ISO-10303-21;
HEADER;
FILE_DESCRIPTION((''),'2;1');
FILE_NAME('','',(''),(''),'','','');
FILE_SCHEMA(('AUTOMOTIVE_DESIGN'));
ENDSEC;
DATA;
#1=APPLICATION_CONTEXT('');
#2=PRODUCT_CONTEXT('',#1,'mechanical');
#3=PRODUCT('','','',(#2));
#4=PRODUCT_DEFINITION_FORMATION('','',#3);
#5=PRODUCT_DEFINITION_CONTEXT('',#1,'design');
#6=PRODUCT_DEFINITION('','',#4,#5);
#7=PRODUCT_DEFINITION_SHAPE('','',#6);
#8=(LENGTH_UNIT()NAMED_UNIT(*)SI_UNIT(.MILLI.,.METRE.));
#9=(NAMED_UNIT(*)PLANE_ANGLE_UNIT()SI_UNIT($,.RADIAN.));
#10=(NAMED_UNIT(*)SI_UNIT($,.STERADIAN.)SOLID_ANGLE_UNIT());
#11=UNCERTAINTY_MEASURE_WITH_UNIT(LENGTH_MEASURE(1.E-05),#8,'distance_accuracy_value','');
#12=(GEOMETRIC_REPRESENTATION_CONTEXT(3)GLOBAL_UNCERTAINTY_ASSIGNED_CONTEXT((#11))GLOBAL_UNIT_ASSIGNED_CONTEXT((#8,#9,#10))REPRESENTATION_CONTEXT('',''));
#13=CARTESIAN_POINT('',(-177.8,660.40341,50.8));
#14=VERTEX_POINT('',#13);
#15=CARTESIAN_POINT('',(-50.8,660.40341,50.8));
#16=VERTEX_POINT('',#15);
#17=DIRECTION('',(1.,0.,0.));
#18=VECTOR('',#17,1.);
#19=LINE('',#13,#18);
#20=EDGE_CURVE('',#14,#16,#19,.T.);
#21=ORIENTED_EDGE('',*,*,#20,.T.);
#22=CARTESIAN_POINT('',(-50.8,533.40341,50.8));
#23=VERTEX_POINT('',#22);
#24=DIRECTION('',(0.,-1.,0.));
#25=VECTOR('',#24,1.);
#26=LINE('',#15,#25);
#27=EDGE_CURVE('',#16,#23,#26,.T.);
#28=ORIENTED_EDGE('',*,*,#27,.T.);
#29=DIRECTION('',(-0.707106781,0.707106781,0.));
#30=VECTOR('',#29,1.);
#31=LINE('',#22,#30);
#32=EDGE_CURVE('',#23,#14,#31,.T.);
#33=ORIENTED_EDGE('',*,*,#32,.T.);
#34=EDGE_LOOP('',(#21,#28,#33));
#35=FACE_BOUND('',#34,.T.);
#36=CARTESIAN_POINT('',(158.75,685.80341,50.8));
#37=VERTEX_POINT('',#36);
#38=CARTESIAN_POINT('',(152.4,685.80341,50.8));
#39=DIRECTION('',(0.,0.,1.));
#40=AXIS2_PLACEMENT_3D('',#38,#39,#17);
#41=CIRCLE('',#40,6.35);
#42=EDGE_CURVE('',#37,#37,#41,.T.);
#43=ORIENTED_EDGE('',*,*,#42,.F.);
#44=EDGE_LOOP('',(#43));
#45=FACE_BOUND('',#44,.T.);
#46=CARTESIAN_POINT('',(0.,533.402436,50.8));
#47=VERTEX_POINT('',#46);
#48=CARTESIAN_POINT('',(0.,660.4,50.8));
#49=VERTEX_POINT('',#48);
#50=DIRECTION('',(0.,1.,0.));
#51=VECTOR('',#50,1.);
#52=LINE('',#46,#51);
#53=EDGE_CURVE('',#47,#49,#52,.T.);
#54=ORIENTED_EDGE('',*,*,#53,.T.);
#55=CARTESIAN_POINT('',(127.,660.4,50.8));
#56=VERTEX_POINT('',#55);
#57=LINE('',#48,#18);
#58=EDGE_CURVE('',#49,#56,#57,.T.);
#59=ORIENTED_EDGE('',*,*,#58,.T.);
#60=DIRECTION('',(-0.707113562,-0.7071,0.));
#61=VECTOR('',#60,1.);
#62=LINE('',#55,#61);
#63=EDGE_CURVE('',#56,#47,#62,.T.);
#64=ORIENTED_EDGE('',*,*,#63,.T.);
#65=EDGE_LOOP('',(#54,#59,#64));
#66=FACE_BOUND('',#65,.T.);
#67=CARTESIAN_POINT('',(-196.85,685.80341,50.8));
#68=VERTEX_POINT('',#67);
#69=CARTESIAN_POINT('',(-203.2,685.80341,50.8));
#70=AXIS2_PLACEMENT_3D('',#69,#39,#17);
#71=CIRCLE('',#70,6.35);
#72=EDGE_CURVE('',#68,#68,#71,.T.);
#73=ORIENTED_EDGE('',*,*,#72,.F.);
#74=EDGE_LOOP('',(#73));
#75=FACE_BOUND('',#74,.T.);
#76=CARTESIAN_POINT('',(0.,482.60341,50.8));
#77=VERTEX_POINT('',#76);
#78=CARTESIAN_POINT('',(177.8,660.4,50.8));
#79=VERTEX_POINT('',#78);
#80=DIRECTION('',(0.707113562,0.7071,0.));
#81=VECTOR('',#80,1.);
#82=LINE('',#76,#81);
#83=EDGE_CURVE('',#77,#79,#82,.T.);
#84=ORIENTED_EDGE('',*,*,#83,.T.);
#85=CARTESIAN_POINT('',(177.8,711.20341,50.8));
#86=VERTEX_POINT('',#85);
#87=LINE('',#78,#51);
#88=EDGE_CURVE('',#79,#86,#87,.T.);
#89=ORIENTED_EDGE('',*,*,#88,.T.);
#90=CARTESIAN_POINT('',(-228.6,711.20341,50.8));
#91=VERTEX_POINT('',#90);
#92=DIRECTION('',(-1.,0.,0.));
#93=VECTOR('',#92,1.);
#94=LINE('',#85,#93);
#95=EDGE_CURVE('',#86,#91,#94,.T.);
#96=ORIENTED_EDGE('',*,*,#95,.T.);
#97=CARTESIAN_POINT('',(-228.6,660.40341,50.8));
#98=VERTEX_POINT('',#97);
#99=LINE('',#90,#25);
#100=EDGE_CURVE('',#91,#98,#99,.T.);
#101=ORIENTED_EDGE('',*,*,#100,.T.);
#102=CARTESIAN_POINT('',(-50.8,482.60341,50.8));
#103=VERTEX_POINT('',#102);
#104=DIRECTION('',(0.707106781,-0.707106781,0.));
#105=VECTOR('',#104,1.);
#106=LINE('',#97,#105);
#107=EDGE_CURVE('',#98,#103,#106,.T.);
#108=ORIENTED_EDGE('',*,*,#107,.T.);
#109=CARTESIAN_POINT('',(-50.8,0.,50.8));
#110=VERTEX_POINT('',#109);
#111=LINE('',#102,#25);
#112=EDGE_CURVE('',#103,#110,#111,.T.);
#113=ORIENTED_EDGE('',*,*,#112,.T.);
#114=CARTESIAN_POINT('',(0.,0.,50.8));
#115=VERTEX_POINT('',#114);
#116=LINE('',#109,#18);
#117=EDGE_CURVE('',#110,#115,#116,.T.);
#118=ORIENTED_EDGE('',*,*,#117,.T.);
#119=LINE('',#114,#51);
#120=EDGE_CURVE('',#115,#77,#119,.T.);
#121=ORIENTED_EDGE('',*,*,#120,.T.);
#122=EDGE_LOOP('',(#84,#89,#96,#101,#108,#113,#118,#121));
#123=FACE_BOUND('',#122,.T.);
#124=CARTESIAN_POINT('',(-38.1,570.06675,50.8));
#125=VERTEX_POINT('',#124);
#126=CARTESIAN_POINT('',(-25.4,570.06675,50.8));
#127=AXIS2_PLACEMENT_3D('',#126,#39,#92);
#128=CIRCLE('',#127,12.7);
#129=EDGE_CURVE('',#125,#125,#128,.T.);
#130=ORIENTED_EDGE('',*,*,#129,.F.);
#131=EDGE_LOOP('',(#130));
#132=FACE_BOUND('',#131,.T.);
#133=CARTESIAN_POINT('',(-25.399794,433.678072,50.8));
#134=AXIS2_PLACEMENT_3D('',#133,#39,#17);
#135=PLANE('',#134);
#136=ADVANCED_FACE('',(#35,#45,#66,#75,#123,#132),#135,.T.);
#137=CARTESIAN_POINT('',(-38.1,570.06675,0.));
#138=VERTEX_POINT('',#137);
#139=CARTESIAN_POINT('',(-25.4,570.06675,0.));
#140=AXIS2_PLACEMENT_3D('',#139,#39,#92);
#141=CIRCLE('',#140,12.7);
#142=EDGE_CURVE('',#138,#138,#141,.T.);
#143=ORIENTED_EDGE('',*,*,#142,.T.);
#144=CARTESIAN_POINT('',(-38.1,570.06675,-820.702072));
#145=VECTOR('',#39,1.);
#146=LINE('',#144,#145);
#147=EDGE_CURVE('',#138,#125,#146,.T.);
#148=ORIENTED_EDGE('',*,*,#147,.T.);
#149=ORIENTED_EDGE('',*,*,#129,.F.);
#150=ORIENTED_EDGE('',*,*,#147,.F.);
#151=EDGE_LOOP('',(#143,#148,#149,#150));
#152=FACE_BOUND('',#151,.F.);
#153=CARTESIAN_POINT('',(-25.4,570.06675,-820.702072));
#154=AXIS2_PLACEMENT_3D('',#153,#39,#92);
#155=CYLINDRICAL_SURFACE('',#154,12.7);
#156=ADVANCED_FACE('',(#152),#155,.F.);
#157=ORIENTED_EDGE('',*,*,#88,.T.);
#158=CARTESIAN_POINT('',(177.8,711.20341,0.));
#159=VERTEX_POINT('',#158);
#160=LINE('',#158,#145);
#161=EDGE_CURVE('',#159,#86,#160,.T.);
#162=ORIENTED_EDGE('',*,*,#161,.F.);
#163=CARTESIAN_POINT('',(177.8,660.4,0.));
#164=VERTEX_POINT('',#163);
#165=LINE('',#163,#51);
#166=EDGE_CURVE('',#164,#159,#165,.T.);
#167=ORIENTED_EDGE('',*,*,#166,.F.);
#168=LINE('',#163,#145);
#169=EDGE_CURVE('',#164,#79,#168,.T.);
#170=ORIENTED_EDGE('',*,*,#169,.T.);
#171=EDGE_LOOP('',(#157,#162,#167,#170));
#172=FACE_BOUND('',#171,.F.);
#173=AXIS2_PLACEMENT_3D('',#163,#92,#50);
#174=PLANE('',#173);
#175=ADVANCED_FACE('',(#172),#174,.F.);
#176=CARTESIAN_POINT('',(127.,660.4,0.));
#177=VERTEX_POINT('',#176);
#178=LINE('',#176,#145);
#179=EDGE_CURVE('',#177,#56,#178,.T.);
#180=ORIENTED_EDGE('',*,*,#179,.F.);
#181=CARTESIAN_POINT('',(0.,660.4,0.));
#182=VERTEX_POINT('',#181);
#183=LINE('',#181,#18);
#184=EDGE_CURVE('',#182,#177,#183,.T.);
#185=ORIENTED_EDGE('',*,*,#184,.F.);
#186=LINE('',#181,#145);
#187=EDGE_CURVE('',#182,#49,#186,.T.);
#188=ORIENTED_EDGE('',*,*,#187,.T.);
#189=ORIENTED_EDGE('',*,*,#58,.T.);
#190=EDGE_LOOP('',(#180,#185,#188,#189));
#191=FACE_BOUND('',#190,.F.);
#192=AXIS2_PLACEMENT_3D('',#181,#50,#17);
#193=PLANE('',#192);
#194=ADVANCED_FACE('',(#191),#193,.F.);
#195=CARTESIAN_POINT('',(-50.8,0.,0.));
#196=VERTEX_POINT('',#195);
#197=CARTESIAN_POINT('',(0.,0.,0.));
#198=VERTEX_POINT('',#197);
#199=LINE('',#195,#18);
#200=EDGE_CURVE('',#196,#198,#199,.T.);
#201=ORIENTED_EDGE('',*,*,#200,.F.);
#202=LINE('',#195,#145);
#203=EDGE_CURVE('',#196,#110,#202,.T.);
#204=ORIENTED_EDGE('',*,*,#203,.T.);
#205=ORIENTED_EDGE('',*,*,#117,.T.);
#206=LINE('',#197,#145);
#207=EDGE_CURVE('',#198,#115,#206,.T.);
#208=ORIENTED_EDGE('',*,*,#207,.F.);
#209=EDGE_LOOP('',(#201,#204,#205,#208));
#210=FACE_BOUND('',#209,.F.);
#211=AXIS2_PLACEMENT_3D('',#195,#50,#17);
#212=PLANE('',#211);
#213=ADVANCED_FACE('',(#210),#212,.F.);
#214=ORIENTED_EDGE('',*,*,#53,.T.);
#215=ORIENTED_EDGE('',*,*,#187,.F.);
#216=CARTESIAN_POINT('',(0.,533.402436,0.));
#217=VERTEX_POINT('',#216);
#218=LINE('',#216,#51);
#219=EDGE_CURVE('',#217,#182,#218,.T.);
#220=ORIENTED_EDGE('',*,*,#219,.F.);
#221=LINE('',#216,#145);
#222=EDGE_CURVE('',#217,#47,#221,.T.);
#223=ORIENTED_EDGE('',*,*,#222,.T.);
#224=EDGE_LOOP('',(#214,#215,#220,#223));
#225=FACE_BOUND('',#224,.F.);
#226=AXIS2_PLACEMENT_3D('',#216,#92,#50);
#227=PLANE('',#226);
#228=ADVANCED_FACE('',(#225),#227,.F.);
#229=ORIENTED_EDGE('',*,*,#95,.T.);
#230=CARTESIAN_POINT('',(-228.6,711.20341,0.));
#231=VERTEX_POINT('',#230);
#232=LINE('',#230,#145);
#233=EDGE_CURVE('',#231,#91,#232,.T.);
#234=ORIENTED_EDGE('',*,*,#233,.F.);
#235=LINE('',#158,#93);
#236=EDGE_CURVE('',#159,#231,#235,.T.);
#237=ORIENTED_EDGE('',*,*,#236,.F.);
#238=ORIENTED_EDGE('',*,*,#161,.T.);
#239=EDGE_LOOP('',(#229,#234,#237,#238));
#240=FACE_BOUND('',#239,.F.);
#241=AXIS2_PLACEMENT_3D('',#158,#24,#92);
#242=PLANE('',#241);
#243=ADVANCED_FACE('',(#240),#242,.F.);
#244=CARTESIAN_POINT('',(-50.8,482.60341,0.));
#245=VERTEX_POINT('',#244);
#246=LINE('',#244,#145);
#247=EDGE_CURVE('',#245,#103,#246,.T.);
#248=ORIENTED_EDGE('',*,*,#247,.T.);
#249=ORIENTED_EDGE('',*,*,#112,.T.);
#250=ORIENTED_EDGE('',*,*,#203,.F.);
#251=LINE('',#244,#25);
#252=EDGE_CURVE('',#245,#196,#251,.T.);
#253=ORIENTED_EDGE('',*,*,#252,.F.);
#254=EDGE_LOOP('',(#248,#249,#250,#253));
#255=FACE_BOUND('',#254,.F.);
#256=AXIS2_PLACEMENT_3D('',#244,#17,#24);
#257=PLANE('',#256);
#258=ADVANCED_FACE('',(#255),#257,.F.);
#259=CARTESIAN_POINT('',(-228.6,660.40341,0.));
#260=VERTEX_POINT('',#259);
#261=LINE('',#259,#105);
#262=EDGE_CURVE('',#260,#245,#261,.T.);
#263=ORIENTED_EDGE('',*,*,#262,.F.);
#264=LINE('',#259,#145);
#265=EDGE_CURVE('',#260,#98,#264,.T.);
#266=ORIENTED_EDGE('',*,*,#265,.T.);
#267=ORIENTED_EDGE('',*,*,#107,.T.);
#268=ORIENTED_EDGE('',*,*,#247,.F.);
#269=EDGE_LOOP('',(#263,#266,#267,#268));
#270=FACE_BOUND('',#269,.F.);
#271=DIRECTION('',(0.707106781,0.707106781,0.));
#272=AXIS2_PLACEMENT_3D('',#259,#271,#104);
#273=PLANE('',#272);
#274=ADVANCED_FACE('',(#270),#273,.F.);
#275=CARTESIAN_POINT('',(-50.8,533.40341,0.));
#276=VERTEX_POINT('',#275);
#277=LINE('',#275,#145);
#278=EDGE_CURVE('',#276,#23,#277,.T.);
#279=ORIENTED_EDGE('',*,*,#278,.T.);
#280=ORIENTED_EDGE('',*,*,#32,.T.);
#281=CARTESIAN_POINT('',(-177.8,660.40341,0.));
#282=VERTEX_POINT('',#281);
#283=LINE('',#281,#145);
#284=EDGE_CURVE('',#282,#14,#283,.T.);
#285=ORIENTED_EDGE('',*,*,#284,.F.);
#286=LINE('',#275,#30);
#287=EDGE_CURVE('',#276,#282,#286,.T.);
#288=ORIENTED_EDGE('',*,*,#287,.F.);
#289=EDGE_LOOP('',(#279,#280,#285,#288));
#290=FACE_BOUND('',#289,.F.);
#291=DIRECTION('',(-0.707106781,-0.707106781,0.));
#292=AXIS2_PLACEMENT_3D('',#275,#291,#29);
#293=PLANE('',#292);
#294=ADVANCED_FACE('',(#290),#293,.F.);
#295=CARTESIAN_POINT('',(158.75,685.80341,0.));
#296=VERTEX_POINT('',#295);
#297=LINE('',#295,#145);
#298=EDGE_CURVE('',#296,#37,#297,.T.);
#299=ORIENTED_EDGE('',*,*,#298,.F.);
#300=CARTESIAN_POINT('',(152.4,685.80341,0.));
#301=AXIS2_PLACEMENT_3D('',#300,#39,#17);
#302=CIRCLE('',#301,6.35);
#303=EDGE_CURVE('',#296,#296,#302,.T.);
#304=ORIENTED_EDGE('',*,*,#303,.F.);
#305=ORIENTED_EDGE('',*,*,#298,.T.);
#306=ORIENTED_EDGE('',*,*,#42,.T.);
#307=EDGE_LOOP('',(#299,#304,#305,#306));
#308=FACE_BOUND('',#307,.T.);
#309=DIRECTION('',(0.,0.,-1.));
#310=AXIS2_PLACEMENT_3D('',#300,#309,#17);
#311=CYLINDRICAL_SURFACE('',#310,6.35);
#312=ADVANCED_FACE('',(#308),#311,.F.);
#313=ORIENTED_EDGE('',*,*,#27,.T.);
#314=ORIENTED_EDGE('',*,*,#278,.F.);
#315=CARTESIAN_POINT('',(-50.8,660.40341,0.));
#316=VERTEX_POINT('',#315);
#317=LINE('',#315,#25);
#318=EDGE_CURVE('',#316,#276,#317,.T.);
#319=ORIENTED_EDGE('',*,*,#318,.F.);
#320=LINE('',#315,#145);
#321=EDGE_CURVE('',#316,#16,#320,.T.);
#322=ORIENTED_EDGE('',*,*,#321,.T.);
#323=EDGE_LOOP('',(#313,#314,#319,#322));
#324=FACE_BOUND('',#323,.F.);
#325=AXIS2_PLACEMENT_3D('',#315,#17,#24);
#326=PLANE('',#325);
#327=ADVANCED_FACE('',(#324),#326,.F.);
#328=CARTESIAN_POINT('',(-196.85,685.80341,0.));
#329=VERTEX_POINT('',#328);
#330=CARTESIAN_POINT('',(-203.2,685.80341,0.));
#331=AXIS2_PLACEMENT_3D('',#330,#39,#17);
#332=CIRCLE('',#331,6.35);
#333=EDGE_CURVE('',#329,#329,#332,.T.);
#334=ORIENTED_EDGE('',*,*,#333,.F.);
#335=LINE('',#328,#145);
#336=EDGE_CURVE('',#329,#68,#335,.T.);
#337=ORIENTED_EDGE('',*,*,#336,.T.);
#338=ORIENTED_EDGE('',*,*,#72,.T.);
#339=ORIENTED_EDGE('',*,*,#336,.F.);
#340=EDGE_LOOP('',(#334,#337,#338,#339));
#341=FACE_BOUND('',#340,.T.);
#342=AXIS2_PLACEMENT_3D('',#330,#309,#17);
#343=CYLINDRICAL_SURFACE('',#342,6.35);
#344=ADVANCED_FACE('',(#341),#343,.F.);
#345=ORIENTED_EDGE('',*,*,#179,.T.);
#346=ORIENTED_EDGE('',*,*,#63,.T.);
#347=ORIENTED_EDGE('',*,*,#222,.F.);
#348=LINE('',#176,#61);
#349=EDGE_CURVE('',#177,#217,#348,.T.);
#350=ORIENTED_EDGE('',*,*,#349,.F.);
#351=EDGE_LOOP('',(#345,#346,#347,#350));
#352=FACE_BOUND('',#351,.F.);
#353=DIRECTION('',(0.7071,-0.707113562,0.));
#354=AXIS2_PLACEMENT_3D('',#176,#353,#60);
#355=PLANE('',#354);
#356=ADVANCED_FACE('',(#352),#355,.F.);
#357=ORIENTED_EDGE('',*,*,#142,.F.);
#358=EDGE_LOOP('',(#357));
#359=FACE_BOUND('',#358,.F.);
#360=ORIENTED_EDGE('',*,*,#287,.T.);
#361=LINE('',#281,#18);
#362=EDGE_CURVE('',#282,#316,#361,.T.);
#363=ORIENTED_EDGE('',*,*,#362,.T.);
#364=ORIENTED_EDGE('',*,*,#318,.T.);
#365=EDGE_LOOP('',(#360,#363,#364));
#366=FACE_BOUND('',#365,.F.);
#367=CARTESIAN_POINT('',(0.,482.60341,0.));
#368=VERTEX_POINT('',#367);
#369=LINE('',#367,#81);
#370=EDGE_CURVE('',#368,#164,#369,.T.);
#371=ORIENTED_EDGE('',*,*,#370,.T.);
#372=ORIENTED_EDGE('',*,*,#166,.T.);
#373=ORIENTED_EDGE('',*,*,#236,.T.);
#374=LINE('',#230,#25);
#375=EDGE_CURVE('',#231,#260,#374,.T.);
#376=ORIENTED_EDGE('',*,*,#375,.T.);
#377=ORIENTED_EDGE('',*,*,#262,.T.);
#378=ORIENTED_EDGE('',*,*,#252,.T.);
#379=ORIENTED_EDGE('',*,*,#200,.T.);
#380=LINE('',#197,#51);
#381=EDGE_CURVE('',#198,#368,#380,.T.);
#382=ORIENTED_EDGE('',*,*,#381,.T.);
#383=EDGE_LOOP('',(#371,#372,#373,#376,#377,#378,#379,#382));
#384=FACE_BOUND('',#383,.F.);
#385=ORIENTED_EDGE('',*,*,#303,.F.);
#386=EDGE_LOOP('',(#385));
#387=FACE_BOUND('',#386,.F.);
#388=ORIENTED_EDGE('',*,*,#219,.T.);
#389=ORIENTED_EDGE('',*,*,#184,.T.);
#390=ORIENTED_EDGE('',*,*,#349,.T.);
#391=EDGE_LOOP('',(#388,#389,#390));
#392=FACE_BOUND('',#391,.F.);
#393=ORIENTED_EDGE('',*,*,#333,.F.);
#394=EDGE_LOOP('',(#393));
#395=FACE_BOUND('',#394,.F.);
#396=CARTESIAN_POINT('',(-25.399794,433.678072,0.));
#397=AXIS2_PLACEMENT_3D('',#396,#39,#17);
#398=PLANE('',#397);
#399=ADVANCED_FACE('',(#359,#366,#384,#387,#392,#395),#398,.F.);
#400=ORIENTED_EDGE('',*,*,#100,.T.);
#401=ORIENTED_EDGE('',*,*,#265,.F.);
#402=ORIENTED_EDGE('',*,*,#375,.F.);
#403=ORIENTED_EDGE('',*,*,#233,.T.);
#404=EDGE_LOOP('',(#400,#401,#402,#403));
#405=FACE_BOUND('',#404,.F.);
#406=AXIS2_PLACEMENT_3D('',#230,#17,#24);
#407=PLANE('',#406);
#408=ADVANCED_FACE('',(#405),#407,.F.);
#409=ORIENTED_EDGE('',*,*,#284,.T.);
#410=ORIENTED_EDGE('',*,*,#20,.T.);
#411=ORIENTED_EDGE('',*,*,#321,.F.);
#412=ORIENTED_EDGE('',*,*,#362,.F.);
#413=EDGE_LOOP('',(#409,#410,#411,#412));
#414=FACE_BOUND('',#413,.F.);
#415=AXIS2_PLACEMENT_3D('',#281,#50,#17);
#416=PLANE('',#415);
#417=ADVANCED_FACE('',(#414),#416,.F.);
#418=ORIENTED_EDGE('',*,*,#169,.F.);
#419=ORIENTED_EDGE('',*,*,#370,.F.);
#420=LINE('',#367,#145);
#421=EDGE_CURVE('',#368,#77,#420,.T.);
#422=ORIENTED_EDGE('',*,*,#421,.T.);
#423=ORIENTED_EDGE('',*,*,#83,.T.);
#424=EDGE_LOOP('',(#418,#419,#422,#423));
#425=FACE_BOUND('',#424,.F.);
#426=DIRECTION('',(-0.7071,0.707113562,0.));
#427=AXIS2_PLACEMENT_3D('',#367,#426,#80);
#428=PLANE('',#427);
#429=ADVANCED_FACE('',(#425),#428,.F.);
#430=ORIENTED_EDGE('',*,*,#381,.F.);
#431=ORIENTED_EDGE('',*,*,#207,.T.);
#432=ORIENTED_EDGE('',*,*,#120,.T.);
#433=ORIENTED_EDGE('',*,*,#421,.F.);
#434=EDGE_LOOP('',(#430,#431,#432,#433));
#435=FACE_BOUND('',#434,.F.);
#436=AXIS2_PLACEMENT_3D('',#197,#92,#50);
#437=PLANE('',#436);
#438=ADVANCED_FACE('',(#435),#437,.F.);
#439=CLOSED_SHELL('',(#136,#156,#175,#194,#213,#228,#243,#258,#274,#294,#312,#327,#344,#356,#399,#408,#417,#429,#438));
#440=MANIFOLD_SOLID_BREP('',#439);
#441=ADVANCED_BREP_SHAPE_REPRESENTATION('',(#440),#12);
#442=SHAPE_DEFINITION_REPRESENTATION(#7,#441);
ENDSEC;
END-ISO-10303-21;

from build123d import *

# Parameters (mm, degrees)
F0_R     = 6.35
F1_DEPTH = 50.8
F3_D     = 25.4


with BuildPart() as f1:
    # F0 (on Top) → F1 (new body)
    with BuildSketch(Plane.XY):
        Polygon((-50.8, 0), (0, 0), (0, 482.6034102367), (177.8, 660.4), (177.8, 711.2034102367), (0, 711.2034102367), (-50.8, 711.2034102367), (-228.6, 711.2034102367), (-228.6, 660.4034102367), (-50.8, 482.6034102367), align=None)
        with Locations((-203.2, 685.8034102367)):
            Circle(F0_R, mode=Mode.SUBTRACT)
        Polygon((-50.8, 533.4034102367), (-177.8, 660.4034102367), (-50.8, 660.4034102367), align=None, mode=Mode.SUBTRACT)
        Polygon((0, 660.4), (127, 660.4), (0, 533.4024358834), align=None, mode=Mode.SUBTRACT)
        with Locations((152.4, 685.8034102367)):
            Circle(F0_R, mode=Mode.SUBTRACT)
    extrude(amount=F1_DEPTH)

    # F3 (through all)
    with Locations(Plane(origin=(0, 0, 0), x_dir=(1, 0, 0), z_dir=(0, 0, -1))):
        with Locations((-25.4, -570.0667500496)):
            Hole(F3_D / 2)


solid = f1.part
